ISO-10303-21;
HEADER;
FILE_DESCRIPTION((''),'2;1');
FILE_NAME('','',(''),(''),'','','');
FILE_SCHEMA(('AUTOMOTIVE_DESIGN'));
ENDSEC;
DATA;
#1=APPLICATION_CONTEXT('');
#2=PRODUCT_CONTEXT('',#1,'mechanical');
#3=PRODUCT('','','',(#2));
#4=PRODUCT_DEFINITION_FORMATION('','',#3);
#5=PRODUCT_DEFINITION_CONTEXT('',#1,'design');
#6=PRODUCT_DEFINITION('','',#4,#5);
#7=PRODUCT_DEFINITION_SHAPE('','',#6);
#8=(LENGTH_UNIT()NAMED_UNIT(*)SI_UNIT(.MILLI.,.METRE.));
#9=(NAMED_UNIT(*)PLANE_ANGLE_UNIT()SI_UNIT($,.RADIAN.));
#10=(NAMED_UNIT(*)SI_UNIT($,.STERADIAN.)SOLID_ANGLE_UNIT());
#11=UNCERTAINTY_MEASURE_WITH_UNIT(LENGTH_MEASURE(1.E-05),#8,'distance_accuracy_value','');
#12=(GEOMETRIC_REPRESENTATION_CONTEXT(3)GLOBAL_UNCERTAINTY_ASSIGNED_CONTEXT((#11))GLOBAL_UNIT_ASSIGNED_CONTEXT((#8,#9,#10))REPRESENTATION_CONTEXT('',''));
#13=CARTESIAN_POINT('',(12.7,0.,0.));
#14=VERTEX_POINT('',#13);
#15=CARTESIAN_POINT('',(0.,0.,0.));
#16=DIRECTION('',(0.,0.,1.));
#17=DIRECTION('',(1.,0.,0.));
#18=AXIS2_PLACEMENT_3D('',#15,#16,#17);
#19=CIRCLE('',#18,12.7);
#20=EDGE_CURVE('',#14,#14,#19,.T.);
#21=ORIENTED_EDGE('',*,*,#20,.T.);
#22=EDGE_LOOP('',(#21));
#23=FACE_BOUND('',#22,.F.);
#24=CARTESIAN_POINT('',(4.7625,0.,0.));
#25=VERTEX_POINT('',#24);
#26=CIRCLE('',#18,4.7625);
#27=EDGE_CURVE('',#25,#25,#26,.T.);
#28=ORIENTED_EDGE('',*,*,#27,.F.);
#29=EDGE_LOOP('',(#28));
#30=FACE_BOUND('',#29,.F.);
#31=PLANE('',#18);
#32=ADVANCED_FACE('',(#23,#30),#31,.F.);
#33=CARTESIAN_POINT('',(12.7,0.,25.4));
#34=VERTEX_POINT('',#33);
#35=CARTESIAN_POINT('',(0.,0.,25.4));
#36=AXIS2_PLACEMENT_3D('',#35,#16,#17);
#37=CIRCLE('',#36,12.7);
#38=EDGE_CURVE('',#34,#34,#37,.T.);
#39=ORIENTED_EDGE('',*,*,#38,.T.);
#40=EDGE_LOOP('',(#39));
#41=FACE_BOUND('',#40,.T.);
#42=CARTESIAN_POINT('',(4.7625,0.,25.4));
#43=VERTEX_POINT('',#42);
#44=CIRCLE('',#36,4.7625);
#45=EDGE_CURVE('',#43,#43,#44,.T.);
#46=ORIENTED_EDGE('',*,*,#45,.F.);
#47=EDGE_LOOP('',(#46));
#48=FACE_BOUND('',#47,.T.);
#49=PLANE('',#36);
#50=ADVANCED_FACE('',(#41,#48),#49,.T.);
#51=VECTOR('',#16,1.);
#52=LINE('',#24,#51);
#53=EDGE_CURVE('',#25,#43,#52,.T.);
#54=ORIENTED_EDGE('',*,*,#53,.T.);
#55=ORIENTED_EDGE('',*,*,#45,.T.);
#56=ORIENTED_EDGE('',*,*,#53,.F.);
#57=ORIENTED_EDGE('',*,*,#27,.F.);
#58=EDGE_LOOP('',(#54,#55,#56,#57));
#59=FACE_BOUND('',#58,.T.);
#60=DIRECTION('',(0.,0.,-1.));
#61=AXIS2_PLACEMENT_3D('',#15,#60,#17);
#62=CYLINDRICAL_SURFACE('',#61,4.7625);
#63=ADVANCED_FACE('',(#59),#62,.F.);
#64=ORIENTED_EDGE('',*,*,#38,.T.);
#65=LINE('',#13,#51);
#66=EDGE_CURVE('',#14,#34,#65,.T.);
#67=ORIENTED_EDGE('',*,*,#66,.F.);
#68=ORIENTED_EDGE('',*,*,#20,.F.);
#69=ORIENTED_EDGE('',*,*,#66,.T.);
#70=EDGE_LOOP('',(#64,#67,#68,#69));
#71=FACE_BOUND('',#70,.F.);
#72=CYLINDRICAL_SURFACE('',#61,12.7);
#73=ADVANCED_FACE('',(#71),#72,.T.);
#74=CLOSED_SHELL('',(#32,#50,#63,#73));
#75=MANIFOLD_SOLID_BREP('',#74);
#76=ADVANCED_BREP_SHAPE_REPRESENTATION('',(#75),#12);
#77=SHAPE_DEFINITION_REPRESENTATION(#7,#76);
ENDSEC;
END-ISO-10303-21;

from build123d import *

# Parameters (mm, degrees)
F0_R     = 12.7
F0_R_2   = 6.35
F0_R_3   = 4.7625
F1_DEPTH = 25.4


with BuildPart() as f1:
    # F0 (on Top) → F1 (new body)
    with BuildSketch(Plane.XY):
        Circle(F0_R)
        Circle(F0_R_2, mode=Mode.SUBTRACT)
        Circle(F0_R_2)
        Circle(F0_R_3, mode=Mode.SUBTRACT)
    extrude(amount=F1_DEPTH)


solid = f1.part
